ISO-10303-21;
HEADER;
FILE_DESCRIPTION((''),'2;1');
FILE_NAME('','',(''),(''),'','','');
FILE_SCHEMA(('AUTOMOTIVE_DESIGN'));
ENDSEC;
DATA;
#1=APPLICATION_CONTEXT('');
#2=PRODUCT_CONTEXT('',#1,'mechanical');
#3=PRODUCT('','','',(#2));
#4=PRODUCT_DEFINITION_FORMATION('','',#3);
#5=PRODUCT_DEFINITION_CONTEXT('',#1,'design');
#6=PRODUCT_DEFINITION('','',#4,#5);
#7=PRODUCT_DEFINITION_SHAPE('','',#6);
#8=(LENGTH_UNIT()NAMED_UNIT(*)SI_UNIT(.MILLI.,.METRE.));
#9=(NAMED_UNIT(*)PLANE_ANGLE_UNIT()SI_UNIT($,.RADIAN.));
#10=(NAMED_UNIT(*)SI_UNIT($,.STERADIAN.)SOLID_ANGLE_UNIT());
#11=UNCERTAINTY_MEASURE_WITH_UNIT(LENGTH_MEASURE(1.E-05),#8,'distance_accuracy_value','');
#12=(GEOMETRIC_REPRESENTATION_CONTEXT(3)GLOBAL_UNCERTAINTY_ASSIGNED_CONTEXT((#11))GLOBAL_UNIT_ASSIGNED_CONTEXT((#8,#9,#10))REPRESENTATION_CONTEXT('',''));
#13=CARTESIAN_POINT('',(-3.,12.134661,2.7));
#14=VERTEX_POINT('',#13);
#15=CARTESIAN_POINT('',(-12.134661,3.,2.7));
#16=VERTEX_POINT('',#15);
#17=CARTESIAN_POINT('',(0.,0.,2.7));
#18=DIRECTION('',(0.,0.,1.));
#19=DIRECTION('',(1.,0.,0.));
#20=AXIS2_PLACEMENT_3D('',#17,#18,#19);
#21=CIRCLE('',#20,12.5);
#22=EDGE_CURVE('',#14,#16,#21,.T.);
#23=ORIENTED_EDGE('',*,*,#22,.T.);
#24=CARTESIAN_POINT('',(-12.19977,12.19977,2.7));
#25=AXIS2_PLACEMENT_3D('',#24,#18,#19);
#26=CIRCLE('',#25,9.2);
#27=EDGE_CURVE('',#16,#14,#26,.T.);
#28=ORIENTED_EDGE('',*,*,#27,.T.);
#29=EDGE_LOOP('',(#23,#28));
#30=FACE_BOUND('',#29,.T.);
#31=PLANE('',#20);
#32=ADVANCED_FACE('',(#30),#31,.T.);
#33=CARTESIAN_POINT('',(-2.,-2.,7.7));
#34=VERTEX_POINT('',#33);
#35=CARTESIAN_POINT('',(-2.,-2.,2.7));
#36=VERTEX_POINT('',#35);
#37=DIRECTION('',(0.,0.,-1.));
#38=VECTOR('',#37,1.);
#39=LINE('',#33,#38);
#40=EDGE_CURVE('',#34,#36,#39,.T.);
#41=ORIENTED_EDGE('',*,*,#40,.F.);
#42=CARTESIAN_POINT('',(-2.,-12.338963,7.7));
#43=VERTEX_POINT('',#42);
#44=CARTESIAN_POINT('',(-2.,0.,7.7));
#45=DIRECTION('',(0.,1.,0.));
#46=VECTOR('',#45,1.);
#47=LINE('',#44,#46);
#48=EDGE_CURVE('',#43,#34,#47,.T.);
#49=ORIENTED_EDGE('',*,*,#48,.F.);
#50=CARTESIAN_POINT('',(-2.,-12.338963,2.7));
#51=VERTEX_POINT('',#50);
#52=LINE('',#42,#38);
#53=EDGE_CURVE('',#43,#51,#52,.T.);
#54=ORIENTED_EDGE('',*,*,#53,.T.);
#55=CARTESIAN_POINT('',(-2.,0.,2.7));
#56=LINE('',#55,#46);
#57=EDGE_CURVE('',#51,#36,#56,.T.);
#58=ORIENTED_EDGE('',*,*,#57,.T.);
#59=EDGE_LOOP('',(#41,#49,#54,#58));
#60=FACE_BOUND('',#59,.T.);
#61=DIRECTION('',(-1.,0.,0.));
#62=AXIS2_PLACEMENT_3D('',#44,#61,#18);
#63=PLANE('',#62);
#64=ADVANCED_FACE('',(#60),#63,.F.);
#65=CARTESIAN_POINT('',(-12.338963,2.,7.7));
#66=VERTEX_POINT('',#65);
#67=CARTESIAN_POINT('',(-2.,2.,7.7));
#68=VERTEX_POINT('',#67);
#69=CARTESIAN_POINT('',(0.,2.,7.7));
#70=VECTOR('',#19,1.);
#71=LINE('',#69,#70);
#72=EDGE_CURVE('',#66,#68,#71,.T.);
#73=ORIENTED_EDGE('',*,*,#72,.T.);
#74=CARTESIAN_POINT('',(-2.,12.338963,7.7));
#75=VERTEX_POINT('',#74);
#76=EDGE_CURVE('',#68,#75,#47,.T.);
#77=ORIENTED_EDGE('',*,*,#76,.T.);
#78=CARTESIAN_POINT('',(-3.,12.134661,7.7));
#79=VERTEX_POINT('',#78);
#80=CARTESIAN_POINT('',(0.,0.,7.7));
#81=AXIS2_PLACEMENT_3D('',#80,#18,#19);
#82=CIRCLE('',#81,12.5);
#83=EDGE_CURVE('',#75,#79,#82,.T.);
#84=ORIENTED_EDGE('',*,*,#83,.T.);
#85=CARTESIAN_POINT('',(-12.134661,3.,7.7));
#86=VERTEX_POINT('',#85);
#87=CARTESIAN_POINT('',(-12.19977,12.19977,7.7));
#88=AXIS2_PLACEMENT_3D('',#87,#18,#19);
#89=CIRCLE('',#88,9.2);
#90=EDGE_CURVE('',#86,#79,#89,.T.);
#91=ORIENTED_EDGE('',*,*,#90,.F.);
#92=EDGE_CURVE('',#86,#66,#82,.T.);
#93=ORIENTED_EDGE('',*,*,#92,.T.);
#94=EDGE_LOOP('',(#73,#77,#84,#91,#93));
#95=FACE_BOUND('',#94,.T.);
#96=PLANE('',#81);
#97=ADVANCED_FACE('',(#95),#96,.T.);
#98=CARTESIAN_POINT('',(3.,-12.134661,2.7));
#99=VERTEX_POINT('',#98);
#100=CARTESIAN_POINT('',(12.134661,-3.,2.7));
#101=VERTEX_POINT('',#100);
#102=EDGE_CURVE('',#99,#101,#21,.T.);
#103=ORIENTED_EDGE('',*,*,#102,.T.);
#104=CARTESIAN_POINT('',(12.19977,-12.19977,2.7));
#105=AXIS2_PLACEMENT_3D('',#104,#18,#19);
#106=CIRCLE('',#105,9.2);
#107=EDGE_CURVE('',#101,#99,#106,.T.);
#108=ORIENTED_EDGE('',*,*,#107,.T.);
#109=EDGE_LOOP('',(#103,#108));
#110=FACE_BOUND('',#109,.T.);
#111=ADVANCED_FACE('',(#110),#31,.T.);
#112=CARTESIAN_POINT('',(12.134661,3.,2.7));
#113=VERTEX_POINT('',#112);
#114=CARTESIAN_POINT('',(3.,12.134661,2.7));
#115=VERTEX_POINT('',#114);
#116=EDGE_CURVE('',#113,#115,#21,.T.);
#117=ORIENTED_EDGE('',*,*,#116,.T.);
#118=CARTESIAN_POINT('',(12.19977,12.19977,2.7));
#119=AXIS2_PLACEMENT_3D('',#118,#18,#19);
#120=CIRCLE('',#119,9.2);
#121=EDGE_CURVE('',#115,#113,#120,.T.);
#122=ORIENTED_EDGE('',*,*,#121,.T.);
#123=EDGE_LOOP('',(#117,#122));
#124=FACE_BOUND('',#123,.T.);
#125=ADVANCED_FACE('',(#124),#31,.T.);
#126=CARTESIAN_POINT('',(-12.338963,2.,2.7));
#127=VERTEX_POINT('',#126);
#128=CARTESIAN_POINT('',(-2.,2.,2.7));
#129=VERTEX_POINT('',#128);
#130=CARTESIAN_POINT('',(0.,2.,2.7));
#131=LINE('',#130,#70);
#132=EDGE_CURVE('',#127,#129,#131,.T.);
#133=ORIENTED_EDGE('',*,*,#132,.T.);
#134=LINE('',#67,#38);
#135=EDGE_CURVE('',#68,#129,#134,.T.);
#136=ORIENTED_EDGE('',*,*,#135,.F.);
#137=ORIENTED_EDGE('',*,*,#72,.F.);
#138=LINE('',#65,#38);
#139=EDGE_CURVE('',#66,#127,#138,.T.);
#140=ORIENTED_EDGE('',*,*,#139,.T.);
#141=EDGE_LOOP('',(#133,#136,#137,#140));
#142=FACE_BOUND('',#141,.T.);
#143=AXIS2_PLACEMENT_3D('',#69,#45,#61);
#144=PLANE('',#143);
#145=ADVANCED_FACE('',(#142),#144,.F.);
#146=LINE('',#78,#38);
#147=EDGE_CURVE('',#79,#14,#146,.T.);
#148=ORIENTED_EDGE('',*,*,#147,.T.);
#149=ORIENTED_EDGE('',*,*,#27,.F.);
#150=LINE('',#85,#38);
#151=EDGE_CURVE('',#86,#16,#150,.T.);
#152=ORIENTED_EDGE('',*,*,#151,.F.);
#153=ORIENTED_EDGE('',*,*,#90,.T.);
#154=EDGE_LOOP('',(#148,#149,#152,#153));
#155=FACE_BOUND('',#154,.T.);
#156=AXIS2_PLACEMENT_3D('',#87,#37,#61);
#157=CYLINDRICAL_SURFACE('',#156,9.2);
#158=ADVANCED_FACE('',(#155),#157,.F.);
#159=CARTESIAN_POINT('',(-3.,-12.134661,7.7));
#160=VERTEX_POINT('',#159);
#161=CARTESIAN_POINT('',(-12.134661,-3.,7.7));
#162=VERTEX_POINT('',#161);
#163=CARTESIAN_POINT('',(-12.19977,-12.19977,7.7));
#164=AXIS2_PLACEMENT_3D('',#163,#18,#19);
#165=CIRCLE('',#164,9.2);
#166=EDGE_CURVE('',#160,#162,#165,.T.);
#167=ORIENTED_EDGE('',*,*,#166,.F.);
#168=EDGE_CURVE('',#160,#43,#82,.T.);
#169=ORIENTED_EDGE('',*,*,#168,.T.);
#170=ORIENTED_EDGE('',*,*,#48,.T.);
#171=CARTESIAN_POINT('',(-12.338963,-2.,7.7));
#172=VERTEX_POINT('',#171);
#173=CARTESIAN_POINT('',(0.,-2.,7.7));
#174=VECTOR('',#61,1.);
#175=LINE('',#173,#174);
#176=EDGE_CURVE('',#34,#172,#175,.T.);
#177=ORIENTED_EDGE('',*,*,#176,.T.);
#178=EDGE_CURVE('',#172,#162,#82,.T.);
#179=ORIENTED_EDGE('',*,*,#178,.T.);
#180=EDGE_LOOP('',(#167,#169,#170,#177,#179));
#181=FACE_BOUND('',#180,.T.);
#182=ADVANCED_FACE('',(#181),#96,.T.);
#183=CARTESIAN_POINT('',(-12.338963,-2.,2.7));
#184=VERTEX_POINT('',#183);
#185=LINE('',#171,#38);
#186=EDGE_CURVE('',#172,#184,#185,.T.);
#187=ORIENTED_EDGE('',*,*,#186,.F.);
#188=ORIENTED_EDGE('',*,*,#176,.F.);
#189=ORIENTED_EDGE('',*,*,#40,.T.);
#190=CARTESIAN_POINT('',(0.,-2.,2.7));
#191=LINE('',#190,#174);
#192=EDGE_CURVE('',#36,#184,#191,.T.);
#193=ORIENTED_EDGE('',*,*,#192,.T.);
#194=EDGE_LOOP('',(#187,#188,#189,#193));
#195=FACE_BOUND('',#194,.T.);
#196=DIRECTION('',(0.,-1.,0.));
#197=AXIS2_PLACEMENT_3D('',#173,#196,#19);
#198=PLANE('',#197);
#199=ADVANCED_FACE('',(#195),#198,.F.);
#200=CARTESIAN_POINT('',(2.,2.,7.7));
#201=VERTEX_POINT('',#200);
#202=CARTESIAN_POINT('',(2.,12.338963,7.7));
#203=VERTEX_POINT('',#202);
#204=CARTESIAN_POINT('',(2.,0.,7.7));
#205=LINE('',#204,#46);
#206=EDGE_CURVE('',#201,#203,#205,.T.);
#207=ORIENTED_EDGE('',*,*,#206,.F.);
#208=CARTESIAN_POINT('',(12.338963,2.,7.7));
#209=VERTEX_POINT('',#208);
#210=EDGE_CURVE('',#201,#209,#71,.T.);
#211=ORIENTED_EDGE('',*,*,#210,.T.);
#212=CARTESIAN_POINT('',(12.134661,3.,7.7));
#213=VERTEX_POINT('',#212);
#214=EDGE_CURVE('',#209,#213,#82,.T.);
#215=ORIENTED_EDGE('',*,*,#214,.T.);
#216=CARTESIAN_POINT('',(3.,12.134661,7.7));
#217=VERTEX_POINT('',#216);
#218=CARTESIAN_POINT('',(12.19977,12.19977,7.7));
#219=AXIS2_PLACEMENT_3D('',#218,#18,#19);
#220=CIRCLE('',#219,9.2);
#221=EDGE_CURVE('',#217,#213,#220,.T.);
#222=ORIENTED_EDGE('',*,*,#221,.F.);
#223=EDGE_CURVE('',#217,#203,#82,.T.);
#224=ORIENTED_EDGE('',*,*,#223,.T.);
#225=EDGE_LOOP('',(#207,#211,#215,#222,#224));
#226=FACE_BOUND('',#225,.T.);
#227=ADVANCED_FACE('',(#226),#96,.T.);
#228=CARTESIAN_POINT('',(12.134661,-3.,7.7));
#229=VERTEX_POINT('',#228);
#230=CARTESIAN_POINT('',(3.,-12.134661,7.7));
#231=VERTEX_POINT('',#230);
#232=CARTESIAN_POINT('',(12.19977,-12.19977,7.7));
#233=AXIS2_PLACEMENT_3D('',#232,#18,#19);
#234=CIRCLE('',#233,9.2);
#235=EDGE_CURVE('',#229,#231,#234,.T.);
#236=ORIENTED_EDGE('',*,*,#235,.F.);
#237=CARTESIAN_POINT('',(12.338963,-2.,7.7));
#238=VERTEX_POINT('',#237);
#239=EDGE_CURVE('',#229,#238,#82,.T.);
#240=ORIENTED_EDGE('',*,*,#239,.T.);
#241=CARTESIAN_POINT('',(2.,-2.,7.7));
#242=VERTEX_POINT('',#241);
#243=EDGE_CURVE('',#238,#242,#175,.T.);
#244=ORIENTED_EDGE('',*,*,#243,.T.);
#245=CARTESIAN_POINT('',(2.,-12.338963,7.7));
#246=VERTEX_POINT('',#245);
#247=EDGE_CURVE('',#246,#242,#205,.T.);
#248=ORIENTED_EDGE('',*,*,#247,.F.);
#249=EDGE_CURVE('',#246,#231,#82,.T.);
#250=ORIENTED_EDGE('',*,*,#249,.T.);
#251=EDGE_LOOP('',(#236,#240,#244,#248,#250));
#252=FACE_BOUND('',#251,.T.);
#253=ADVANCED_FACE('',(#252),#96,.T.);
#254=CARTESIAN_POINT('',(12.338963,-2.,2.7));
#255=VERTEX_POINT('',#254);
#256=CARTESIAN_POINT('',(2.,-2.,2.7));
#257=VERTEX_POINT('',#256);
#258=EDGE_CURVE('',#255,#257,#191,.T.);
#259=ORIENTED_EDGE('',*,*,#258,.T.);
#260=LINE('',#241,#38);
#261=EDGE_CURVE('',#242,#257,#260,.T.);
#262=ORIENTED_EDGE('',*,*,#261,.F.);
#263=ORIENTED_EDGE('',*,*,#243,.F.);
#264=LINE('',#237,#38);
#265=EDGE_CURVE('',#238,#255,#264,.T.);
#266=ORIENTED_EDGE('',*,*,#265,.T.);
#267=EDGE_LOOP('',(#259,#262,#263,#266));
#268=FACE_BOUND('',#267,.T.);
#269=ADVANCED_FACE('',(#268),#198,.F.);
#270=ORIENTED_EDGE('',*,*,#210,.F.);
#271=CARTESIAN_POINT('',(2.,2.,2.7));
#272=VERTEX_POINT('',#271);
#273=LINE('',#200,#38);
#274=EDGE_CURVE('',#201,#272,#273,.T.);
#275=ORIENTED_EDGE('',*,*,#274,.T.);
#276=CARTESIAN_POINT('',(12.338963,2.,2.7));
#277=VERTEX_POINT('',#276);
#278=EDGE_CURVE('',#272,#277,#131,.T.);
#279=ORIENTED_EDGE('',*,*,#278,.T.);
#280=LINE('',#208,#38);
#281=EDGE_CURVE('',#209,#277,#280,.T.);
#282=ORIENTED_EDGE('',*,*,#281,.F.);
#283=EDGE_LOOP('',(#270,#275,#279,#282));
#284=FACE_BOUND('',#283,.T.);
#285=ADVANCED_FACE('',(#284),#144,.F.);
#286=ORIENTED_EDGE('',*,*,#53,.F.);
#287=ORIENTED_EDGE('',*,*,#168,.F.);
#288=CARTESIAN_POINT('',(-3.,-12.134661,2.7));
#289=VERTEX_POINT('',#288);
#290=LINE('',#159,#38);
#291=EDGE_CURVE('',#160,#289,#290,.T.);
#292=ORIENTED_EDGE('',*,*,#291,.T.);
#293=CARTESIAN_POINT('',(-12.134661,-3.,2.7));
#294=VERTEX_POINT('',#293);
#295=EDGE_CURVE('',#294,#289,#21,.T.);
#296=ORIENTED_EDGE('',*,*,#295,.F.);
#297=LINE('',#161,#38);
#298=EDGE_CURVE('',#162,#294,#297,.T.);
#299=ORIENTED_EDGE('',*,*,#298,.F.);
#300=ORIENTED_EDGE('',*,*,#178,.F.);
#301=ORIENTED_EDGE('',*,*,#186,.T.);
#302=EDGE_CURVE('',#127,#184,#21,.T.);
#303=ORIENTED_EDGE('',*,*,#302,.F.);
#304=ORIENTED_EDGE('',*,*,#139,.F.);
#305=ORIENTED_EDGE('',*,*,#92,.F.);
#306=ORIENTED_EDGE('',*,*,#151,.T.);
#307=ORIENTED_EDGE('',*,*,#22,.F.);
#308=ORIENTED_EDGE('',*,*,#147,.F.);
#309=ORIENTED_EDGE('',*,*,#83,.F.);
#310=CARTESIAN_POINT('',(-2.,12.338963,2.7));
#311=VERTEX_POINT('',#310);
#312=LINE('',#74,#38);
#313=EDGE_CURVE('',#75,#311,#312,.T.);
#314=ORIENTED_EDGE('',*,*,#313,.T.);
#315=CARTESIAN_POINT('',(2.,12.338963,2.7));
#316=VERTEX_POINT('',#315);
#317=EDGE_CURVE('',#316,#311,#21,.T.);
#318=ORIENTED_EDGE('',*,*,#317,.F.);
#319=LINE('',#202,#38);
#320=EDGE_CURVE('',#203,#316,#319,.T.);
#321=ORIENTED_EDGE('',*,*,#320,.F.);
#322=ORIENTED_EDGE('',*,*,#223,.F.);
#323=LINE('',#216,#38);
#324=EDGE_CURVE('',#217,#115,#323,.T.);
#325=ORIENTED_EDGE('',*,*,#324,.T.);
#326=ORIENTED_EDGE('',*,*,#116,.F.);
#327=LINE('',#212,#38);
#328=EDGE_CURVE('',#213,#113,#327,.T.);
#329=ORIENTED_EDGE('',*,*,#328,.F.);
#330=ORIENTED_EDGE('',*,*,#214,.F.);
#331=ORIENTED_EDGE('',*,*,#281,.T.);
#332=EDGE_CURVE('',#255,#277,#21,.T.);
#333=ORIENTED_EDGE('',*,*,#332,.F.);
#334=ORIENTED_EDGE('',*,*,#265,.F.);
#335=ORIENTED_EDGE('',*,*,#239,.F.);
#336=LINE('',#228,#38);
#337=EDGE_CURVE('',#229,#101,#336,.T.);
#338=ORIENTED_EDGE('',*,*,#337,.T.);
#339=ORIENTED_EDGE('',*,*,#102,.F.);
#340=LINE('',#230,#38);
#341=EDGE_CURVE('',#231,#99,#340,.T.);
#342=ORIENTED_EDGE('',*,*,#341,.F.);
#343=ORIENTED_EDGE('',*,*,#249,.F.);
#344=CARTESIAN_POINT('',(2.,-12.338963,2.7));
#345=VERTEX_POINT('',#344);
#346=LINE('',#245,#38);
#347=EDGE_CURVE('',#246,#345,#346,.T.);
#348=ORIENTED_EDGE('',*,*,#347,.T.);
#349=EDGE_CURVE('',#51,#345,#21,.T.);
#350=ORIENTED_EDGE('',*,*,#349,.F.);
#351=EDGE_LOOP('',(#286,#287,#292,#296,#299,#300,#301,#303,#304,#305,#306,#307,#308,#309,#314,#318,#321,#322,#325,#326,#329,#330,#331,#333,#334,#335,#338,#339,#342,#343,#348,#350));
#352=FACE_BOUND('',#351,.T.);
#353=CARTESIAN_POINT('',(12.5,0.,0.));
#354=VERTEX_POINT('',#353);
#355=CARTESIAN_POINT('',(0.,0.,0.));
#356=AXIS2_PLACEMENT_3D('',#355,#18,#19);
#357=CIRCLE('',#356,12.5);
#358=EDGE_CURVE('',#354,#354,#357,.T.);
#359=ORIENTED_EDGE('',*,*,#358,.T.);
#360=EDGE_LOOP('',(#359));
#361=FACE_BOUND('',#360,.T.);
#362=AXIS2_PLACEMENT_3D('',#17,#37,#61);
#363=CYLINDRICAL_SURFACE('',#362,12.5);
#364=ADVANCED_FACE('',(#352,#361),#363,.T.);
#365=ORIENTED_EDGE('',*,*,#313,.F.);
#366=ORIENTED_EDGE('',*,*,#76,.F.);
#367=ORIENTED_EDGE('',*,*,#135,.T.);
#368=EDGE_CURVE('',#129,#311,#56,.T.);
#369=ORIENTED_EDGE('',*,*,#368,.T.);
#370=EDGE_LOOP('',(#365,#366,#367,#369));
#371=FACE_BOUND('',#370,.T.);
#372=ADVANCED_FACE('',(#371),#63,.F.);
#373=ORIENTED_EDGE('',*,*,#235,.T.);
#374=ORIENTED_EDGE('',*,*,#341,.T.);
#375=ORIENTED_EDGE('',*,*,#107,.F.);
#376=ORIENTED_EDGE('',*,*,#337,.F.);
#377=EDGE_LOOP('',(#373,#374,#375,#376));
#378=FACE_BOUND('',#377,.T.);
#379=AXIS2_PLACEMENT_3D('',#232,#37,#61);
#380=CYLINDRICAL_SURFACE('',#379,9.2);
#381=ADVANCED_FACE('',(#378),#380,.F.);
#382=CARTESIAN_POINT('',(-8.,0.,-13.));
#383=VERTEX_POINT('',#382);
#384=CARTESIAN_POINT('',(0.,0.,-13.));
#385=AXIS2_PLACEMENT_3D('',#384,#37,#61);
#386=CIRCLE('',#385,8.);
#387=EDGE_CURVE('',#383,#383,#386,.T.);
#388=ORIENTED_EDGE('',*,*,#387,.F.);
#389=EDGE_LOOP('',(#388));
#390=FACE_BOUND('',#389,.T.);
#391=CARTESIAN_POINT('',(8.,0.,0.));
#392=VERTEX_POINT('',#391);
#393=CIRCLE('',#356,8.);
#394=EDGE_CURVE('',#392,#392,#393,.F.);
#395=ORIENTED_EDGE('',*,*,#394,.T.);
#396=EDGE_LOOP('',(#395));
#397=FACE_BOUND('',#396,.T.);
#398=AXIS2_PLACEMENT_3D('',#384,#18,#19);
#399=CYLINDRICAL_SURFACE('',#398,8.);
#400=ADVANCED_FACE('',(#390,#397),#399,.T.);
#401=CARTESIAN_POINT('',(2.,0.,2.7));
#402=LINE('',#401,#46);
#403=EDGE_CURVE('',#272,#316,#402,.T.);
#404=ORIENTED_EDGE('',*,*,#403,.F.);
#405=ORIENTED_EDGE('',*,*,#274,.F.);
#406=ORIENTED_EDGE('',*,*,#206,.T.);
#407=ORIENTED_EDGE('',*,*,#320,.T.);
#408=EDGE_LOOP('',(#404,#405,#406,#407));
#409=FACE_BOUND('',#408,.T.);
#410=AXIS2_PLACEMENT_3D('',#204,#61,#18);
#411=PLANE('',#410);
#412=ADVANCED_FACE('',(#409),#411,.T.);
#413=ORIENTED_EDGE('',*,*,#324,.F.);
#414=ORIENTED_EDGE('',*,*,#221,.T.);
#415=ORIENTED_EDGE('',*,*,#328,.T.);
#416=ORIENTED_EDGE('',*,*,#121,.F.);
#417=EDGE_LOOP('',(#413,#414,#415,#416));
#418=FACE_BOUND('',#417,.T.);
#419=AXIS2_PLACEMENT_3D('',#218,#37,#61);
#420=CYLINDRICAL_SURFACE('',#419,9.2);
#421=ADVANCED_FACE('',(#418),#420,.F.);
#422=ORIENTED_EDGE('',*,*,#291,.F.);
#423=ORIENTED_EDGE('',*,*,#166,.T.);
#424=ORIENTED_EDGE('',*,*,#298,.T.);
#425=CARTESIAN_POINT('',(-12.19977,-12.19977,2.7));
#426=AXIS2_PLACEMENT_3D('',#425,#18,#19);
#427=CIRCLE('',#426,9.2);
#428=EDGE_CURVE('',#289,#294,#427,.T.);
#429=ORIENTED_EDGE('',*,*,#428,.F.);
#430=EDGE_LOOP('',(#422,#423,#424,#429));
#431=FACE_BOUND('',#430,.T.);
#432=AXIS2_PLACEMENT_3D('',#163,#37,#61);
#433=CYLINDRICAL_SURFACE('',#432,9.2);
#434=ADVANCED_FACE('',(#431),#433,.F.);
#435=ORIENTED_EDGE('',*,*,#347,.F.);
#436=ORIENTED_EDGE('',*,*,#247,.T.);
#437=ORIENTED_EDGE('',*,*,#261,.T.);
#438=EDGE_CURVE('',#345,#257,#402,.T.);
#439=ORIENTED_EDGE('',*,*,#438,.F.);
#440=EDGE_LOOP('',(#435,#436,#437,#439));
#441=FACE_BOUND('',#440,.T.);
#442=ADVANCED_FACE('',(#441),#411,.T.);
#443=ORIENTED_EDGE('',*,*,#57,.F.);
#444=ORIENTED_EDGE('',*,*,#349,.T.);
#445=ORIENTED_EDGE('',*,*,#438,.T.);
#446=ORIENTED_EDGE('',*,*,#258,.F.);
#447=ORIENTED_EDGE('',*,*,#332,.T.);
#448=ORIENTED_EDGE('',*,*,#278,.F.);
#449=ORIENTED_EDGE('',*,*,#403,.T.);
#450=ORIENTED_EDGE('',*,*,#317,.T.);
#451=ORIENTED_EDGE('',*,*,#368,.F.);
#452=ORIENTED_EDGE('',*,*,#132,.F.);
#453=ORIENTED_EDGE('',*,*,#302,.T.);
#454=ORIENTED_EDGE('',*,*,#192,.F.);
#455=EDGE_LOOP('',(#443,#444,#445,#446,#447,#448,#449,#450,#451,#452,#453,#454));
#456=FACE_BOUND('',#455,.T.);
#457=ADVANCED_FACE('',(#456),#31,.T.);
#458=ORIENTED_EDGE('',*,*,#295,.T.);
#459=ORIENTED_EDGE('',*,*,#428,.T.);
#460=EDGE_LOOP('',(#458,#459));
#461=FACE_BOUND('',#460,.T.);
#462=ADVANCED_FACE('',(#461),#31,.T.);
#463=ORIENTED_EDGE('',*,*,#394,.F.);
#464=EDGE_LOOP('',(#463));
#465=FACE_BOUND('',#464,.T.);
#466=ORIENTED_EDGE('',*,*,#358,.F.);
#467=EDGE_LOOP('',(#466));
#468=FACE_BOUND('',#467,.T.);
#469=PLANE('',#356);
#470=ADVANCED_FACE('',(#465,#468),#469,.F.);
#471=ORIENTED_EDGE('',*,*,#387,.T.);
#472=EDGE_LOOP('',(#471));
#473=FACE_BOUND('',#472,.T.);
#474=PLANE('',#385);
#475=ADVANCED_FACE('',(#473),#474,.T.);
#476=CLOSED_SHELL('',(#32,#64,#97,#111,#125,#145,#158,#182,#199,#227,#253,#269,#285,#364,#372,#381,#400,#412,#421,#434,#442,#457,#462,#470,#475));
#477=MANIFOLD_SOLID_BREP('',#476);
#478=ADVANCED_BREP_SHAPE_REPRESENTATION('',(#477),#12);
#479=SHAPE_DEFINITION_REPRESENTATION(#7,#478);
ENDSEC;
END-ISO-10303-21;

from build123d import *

# Parameters (mm, degrees)
CROQUIS1_R              = 12.5
SALIENTE_EXTRUIR1_DEPTH = 2.7
SALIENTE_EXTRUIR2_START = 2.7
SALIENTE_EXTRUIR2_DEPTH = 5
CROQUIS2_R              = 8
SALIENTE_EXTRUIR3_DEPTH = 13


with BuildPart() as part:
    # Croquis1 → Saliente-Extruir1 (new body)
    with BuildSketch(Plane.XY):
        Circle(CROQUIS1_R)
    extrude(amount=SALIENTE_EXTRUIR1_DEPTH)

    # Croquis1<3> → Saliente-Extruir2 (add)
    with BuildSketch(Plane.XY.offset(SALIENTE_EXTRUIR2_START)):
        with BuildLine():
            Line((-2, 2), (-2, 12.338962679))
            ThreePointArc((-2, 12.338962679), (-2.502086086, 12.247022708), (-3, 12.1346611))
            ThreePointArc((-3, 12.1346611), (-5.694387223, 5.694387223), (-12.1346611, 3))
            ThreePointArc((-12.1346611, 3), (-12.247022708, 2.502086086), (-12.338962679, 2))
            Line((-12.338962679, 2), (-2, 2))
        make_face()
        with BuildLine():
            ThreePointArc((3, 12.1346611), (2.502086086, 12.247022708), (2, 12.338962679))
            Line((2, 12.338962679), (2, 2))
            Line((2, 2), (12.338962679, 2))
            ThreePointArc((12.338962679, 2), (12.247022708, 2.502086086), (12.1346611, 3))
            ThreePointArc((12.1346611, 3), (5.694387223, 5.694387223), (3, 12.1346611))
        make_face()
        with BuildLine():
            Line((12.338962679, -2), (2, -2))
            Line((2, -2), (2, -12.338962679))
            ThreePointArc((2, -12.338962679), (2.502086086, -12.247022708), (3, -12.1346611))
            ThreePointArc((3, -12.1346611), (5.694387223, -5.694387223), (12.1346611, -3))
            ThreePointArc((12.1346611, -3), (12.247022708, -2.502086086), (12.338962679, -2))
        make_face()
        with BuildLine():
            Line((-2, -12.338962679), (-2, -2))
            Line((-2, -2), (-12.338962679, -2))
            ThreePointArc((-12.338962679, -2), (-12.247022708, -2.502086086), (-12.1346611, -3))
            ThreePointArc((-12.1346611, -3), (-5.694387223, -5.694387223), (-3, -12.1346611))
            ThreePointArc((-3, -12.1346611), (-2.502086086, -12.247022708), (-2, -12.338962679))
        make_face()
    extrude(amount=SALIENTE_EXTRUIR2_DEPTH)

    # Croquis2 → Saliente-Extruir3 (add)
    with BuildSketch(Plane(origin=(0, 0, 0), x_dir=(-1, 0, 0), z_dir=(0, 0, -1))):
        Circle(CROQUIS2_R)
    extrude(amount=SALIENTE_EXTRUIR3_DEPTH)


solid = part.part
